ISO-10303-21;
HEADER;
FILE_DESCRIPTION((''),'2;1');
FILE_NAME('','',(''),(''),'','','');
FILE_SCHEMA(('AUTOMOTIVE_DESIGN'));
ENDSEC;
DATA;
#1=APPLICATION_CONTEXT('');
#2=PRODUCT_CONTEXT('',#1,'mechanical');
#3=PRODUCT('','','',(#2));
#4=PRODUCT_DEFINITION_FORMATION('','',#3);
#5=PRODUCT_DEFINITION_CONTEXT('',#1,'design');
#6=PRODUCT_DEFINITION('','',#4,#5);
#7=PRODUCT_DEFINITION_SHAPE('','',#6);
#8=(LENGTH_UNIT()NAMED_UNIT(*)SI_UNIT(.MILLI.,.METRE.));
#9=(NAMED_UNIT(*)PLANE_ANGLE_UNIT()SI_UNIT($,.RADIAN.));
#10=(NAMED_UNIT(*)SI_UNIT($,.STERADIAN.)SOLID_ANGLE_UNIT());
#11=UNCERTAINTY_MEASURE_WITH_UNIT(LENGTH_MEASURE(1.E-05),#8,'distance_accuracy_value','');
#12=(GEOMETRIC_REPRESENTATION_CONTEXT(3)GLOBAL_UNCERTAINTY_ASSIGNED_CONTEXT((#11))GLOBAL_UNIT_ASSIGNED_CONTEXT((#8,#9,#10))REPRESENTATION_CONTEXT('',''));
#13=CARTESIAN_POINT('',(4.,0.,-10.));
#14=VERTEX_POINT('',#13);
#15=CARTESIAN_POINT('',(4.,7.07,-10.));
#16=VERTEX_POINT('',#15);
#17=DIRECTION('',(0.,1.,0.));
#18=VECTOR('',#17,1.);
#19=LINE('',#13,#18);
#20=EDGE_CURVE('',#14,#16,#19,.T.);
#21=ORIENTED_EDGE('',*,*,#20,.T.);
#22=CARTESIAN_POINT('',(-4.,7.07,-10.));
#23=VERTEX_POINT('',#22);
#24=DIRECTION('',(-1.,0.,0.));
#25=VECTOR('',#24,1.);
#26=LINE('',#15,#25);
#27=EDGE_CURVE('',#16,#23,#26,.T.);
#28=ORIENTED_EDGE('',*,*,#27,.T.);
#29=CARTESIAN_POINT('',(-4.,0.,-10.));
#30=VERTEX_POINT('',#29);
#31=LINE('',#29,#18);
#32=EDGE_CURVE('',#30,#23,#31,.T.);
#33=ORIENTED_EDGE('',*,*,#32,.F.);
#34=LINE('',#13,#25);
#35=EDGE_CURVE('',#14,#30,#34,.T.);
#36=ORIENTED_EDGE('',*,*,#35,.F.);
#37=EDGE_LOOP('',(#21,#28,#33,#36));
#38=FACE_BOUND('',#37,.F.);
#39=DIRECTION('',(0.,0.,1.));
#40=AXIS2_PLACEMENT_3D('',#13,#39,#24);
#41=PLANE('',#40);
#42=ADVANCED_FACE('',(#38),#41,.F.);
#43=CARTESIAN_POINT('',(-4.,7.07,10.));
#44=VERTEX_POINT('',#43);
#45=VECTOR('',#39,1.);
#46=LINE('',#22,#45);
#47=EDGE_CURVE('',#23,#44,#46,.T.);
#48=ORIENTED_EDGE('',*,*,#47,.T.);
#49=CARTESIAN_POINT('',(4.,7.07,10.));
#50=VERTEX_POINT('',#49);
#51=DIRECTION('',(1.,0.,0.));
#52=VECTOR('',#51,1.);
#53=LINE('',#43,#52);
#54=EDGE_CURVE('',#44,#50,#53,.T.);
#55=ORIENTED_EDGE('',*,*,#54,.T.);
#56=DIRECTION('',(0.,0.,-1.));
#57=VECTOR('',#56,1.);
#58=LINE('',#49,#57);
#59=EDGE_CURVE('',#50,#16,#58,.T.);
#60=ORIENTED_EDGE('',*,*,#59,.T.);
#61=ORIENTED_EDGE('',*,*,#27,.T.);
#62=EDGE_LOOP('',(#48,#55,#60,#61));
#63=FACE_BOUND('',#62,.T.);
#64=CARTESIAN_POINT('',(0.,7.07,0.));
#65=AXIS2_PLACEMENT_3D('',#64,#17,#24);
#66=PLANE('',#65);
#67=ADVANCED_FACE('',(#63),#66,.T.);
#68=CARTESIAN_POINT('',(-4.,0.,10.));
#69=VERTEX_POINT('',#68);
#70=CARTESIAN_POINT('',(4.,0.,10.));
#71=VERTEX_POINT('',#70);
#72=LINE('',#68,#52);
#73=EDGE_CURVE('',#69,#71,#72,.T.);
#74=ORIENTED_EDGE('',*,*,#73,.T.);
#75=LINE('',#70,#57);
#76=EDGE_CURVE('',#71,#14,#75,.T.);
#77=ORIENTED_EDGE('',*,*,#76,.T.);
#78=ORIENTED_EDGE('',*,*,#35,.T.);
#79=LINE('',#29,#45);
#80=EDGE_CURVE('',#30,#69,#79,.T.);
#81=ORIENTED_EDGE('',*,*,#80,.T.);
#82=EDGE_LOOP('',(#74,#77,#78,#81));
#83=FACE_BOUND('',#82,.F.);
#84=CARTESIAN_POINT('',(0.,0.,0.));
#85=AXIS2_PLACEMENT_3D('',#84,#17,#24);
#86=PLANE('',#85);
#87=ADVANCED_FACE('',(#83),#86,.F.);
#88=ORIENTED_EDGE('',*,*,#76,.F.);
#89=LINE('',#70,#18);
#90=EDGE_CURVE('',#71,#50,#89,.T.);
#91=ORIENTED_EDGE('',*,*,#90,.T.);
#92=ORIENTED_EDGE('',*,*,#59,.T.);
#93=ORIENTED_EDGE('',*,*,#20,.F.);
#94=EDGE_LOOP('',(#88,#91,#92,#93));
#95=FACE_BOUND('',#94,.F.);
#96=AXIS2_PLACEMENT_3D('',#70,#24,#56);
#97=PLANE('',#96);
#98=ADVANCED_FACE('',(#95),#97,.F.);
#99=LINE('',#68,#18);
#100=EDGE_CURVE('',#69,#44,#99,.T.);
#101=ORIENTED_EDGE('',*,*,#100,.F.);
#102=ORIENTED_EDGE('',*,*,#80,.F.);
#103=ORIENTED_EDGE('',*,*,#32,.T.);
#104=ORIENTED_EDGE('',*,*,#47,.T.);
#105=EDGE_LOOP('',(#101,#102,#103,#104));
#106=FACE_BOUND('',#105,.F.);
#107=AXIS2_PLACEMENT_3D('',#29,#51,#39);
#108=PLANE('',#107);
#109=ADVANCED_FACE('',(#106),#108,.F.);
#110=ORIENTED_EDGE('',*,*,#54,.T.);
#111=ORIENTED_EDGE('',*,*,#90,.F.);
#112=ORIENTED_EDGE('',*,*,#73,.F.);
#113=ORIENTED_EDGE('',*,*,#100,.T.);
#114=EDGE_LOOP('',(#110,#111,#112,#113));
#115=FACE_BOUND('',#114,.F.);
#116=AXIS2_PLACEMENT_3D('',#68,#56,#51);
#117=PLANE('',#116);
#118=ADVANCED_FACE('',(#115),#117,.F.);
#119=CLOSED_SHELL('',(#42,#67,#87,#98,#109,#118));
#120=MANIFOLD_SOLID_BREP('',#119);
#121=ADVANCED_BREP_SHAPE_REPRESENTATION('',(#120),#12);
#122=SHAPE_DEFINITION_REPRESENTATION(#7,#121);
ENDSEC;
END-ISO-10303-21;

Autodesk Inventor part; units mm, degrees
ref_plane "YZ Plane" through (0, 0, 0) normal (1, 0, 0) x (0, 1, 0)
ref_plane "XZ Plane" through (0, 0, 0) normal (0, 1, 0) x (-1, 0, 0)
ref_plane "XY Plane" through (0, 0, 0) normal (0, 0, 1) x (1, 0, 0)
sketch "Sketch1" plane through (0, 0, 0) normal (0, 1, 0) x (-1, 0, 0)
  line L0 (4, 10) -> (-4, 10)
  line L1 (-4, 10) -> (-4, -10)
  line L2 (-4, -10) -> (4, -10)
  line L3 (4, -10) -> (4, 10)
  point P0 (0, 0)
  dimension "d0" = 20
  dimension "d1" = 8
  dimension "d2" = 4
  dimension "d3" = 10
extrude "Extrusion1" add sketch "Sketch1" along normal blind 7.07
properties part number "3D_printed_part"
